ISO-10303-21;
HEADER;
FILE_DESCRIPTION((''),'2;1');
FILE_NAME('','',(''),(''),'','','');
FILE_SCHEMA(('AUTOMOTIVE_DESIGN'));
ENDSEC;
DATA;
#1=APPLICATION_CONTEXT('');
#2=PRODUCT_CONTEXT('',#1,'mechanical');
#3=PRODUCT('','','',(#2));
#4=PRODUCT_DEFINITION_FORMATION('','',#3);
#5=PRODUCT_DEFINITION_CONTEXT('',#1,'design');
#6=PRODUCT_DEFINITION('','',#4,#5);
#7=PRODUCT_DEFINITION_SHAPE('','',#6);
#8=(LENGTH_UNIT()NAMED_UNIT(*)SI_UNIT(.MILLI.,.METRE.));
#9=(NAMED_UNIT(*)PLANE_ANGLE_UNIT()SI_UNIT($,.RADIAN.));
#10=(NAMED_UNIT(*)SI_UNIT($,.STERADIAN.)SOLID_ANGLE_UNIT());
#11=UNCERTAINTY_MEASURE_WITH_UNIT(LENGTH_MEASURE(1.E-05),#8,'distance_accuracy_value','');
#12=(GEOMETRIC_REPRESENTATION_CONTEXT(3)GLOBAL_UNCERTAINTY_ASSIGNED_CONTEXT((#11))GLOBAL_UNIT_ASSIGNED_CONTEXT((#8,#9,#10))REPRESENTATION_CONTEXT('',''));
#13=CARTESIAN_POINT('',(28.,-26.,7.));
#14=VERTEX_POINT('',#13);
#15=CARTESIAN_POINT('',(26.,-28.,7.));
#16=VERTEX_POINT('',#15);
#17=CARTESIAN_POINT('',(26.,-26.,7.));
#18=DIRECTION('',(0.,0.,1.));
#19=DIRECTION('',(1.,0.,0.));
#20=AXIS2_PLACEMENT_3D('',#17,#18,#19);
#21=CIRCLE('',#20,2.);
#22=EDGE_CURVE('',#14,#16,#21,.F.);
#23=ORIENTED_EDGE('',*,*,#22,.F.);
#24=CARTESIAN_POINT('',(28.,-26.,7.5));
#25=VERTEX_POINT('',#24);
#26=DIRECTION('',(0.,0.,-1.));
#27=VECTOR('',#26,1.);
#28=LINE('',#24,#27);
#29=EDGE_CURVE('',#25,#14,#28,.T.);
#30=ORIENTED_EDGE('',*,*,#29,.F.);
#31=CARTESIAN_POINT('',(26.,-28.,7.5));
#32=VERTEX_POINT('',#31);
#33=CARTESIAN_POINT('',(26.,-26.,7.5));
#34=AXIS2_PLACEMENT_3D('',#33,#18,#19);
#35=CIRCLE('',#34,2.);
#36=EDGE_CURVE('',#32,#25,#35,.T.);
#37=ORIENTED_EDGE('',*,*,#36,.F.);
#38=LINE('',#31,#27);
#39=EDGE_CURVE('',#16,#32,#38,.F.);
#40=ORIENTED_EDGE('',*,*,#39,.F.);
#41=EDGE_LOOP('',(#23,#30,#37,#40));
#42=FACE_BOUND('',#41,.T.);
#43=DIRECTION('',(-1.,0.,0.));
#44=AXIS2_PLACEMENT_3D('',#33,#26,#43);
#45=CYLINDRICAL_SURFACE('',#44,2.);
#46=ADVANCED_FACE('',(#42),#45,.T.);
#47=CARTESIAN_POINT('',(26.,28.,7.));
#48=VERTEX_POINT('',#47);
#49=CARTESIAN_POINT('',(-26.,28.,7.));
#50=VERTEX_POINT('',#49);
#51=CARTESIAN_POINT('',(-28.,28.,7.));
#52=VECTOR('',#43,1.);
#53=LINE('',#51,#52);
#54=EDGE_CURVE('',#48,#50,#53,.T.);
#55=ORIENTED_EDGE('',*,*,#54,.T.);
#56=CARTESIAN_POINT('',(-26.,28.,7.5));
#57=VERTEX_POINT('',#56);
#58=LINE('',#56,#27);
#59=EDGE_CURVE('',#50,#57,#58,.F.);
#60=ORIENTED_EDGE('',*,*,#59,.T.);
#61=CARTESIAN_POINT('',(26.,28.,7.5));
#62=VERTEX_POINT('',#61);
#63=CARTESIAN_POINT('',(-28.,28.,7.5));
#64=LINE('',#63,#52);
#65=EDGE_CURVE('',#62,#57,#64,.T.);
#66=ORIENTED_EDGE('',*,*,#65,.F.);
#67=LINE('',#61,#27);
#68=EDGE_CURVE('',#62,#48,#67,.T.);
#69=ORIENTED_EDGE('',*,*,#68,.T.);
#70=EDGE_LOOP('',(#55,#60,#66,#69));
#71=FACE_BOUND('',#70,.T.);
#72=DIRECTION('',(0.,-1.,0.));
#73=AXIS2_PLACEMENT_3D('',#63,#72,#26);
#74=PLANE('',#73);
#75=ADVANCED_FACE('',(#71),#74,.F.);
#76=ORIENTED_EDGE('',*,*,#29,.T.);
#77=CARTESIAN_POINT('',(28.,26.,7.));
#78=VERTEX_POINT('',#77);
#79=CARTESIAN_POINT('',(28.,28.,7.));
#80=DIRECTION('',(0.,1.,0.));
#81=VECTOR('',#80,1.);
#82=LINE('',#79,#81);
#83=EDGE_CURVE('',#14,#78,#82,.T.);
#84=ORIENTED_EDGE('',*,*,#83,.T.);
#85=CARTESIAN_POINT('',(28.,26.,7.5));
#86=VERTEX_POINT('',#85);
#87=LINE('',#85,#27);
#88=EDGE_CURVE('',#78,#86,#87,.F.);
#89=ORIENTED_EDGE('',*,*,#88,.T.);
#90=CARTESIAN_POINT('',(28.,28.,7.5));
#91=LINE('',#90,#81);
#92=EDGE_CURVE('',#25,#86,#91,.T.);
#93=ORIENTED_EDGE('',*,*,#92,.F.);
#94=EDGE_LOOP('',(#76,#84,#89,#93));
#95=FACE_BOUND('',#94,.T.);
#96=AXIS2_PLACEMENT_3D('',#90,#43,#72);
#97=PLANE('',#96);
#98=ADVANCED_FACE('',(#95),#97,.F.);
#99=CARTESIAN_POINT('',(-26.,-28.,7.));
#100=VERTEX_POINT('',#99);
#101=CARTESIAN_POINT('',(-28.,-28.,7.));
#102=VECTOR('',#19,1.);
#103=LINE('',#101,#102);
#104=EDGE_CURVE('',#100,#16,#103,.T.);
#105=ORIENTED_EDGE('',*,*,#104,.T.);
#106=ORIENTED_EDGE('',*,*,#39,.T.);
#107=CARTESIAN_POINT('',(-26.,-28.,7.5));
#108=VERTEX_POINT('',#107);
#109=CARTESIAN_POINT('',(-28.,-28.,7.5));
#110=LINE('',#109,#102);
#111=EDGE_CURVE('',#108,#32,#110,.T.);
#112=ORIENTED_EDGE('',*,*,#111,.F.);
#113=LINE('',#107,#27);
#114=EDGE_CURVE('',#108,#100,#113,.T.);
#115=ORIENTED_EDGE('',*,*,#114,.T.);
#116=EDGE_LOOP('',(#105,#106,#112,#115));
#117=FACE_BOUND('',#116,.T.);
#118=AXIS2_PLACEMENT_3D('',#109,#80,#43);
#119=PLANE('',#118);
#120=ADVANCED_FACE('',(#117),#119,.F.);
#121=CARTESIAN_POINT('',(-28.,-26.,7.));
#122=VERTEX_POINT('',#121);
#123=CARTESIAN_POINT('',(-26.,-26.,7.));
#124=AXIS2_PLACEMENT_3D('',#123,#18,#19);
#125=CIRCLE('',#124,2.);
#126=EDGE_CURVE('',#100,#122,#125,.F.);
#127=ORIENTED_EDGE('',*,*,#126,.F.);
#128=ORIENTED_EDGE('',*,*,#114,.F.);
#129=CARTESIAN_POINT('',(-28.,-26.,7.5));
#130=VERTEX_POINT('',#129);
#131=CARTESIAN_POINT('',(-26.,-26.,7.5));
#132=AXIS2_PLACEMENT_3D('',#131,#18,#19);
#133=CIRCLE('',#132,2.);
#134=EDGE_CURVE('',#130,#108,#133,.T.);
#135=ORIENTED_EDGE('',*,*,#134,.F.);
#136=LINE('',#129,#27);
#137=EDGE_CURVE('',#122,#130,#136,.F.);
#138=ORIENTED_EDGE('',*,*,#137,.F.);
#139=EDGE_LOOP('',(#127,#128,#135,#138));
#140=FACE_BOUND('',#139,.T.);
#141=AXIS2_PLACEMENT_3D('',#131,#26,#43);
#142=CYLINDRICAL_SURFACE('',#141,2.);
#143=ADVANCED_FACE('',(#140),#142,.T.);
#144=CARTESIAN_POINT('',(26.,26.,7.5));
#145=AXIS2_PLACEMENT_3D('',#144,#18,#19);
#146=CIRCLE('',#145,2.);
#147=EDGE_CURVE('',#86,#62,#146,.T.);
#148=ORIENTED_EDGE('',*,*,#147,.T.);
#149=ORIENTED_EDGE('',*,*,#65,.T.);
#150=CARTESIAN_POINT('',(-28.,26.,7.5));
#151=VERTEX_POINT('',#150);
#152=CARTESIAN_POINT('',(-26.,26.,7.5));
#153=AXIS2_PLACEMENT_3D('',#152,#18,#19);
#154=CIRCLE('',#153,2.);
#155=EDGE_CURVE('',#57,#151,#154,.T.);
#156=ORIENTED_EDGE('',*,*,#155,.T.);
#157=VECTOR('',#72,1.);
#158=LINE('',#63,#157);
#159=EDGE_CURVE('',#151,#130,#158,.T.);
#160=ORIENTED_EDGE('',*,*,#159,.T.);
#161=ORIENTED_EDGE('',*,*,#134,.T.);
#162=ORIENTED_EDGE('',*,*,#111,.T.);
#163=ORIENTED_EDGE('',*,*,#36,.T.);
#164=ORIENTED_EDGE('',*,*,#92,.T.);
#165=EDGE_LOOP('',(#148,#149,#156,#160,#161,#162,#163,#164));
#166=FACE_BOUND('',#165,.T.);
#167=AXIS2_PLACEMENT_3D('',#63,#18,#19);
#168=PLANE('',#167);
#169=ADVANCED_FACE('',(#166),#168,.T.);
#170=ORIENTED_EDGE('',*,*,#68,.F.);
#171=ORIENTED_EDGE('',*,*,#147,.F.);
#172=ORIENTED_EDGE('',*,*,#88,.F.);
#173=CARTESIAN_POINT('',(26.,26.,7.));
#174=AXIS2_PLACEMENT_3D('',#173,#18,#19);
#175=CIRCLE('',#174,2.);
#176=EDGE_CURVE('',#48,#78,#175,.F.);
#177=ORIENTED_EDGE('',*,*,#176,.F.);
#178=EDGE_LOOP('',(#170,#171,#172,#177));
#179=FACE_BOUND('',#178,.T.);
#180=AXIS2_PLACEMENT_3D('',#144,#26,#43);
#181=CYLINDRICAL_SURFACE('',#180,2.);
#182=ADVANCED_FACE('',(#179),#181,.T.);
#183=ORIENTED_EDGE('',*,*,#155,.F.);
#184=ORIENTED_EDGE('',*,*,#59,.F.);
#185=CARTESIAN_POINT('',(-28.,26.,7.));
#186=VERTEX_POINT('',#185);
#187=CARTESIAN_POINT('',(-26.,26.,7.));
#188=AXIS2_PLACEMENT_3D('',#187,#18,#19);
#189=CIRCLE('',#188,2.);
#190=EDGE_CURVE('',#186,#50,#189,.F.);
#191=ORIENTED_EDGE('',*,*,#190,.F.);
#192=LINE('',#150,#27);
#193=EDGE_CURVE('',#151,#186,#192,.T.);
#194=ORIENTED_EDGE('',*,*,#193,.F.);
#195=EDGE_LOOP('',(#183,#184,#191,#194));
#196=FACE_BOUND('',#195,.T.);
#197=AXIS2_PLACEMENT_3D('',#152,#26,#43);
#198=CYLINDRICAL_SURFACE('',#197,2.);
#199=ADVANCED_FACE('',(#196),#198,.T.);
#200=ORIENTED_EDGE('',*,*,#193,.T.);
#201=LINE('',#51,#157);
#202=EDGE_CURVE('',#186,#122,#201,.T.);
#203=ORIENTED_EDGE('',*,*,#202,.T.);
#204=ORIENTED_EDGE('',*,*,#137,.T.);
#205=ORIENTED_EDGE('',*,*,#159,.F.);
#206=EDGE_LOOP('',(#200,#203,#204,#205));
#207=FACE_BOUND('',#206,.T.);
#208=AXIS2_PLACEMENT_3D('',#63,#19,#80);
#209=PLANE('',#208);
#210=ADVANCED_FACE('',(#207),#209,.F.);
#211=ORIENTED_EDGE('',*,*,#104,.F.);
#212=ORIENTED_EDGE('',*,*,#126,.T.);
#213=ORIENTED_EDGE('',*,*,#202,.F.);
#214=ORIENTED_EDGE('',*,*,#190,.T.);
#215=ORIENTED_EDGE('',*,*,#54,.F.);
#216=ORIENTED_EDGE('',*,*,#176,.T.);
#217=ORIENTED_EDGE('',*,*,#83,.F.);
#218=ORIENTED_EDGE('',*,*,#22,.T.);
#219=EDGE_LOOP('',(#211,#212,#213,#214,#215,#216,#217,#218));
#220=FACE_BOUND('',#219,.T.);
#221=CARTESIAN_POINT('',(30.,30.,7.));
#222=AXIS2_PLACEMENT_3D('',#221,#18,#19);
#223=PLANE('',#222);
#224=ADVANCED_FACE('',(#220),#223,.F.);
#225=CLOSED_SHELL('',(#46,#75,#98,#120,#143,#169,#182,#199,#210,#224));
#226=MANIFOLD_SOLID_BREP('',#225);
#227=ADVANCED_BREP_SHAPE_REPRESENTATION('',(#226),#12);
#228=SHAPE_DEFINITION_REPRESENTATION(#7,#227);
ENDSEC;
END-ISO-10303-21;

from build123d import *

# Parameters (mm, degrees)
ESQUISSE1_W             = 60
ESQUISSE1_H             = 60
BASE_EXTRUSION_DEPTH    = 7
ESQUISSE4_W             = 56
ESQUISSE4_H             = 56
BOSS_EXTRU_2_DEPTH      = 0.5
CONG_3_R                = 2
ESQUISSE5_W             = 60
ESQUISSE5_H             = 60
ENL_V_MAT_EXTRU_2_DEPTH = 7


with BuildPart() as part:
    # Esquisse1 → Base-Extrusion (new body)
    with BuildSketch(Plane.XY):
        Rectangle(ESQUISSE1_W, ESQUISSE1_H)
    extrude(amount=BASE_EXTRUSION_DEPTH)

    # Esquisse4 → Boss.-Extru.2 (add)
    with BuildSketch(Plane.XY.offset(7)):
        Rectangle(ESQUISSE4_W, ESQUISSE4_H)
    extrude(amount=BOSS_EXTRU_2_DEPTH)

    # Congé3
    cong_3_edges = [part.edges().sort_by_distance(p)[0] for p in [
        (-28, 28, 7.25),
        (28, 28, 7.25),
        (28, -28, 7.25),
        (-28, -28, 7.25),
    ]]
    fillet(cong_3_edges, radius=CONG_3_R)

    # Esquisse5 → Enlèv. mat.-Extru.2 (cut)
    with BuildSketch(Plane(origin=(0, 0, 0), x_dir=(-1, 0, 0), z_dir=(0, 0, -1))):
        Rectangle(ESQUISSE5_W, ESQUISSE5_H)
    extrude(amount=-ENL_V_MAT_EXTRU_2_DEPTH, mode=Mode.SUBTRACT)


solid = part.part
